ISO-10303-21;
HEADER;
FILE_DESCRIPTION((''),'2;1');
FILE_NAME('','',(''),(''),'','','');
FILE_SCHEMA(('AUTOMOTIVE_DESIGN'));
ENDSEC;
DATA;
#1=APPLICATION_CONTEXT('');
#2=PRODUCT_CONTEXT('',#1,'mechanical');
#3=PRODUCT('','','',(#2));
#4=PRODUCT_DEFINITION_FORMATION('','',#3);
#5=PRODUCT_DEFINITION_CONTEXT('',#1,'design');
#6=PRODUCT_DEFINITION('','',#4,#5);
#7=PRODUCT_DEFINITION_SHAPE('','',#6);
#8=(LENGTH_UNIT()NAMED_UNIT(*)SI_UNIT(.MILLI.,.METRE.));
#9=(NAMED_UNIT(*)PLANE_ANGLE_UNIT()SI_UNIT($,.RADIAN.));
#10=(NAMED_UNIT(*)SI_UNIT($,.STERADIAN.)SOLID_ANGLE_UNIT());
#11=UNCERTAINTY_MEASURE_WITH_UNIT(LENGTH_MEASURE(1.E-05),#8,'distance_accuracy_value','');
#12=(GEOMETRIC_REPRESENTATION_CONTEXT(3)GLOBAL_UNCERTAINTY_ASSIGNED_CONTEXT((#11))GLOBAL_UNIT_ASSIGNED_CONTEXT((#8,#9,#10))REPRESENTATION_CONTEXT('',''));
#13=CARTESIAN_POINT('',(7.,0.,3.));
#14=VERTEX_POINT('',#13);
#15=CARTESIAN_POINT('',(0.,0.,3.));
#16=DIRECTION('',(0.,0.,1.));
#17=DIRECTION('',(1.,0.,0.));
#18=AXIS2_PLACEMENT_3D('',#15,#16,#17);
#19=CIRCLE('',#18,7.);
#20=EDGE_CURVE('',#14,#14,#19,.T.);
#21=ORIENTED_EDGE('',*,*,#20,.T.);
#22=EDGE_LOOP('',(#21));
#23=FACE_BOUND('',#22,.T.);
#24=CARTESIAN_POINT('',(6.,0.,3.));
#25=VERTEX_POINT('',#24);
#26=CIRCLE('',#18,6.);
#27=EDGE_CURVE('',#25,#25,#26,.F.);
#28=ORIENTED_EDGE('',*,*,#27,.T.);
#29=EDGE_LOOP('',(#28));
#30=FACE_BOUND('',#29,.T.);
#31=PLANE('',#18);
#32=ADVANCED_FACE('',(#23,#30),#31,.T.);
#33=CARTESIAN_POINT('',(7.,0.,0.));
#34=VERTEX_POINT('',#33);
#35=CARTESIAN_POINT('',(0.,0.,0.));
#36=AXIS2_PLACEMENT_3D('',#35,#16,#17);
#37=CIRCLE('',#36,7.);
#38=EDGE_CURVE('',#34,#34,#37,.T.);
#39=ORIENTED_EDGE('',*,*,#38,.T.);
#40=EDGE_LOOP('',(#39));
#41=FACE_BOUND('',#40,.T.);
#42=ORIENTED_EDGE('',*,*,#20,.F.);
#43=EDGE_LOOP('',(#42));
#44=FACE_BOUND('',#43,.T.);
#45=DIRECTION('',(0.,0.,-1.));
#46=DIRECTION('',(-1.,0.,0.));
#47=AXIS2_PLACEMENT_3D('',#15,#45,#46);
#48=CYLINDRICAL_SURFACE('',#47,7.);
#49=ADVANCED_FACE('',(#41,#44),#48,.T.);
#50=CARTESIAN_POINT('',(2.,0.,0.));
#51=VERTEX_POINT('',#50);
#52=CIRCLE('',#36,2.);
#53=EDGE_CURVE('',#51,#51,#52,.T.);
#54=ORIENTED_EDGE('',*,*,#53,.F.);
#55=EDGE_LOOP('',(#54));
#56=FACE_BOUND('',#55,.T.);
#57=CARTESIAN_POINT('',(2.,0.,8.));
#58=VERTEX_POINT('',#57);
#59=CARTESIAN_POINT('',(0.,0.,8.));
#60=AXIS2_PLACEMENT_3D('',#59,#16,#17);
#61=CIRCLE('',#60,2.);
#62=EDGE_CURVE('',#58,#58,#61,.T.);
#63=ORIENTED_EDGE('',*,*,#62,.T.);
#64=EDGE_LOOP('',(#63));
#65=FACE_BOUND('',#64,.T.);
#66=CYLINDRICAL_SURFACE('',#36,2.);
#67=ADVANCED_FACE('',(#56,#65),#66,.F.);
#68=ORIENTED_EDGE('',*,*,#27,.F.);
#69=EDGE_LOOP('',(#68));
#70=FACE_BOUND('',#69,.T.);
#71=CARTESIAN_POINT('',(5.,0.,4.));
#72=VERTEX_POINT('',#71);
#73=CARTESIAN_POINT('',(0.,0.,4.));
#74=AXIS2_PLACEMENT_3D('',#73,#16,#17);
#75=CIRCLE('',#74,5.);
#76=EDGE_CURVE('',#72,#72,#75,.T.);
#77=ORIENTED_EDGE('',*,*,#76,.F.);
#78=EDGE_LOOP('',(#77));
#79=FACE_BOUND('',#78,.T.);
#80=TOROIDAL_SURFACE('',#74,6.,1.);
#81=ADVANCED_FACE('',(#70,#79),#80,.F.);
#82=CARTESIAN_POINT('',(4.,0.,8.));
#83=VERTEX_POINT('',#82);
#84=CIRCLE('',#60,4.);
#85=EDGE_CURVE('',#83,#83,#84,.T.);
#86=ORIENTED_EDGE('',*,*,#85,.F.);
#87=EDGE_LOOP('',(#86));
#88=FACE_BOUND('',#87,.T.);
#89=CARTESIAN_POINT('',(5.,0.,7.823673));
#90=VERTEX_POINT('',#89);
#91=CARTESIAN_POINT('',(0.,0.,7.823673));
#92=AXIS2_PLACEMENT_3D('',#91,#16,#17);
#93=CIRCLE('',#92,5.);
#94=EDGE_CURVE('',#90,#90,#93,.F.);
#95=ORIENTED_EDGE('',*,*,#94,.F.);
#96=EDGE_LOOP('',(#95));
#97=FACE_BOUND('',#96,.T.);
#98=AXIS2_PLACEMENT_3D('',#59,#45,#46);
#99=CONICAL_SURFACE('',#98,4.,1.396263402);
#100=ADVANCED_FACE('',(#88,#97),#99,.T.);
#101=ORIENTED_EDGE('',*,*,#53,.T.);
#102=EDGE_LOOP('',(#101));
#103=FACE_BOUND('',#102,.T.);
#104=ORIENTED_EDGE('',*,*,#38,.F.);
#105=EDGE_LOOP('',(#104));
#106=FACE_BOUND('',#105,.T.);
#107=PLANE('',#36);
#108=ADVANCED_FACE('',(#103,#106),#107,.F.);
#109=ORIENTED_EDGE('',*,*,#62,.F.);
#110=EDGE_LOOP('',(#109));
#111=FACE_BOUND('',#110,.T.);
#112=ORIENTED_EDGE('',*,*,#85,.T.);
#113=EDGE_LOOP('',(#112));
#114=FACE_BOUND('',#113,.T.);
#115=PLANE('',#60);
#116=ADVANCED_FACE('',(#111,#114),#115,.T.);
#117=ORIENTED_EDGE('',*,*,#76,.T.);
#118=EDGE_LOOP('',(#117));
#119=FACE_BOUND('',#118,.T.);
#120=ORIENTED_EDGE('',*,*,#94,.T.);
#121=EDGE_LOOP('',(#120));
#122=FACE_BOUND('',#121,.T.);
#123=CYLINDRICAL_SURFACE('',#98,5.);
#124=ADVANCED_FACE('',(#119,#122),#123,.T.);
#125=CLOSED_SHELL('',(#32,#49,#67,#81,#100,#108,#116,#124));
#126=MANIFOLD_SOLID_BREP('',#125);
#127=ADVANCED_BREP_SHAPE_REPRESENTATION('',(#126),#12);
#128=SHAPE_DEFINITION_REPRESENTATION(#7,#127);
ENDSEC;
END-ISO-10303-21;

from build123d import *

# Parameters (mm, degrees)
ESQUISSE1_R             = 7
BOSS_EXTRU_1_DEPTH      = 3
ESQUISSE2_R             = 5
BOSS_EXTRU_2_DEPTH      = 5
ESQUISSE3_R             = 2
ENL_V_MAT_EXTRU_1_DEPTH = 9
CONG_1_R                = 1
CHANFREIN1_SIZE         = 1
CHANFREIN1_SIZE2        = 0.176326981


with BuildPart() as part:
    # Esquisse1 → Boss.-Extru.1 (new body)
    with BuildSketch(Plane.XY):
        Circle(ESQUISSE1_R)
    extrude(amount=BOSS_EXTRU_1_DEPTH)

    # Esquisse2 → Boss.-Extru.2 (add)
    with BuildSketch(Plane.XY.offset(3)):
        Circle(ESQUISSE2_R)
    extrude(amount=BOSS_EXTRU_2_DEPTH)

    # Esquisse3 → Enlèv. mat.-Extru.1 (cut, through all)
    with BuildSketch(Plane.XY.offset(8)):
        Circle(ESQUISSE3_R)
    extrude(amount=-ENL_V_MAT_EXTRU_1_DEPTH, mode=Mode.SUBTRACT)

    # Congé1
    cong_1_edges = [part.edges().sort_by_distance(p)[0] for p in [
        (-5, 0, 3),
    ]]
    fillet(cong_1_edges, radius=CONG_1_R)

    # Chanfrein1
    chanfrein1_edges = [part.edges().sort_by_distance(p)[0] for p in [
        (-5, 0, 8),
    ]]
    chanfrein1_side = [part.faces().sort_by_distance(p)[0] for p in [
        (-4.858578644, 0, 8),
    ]]
    chamfer(chanfrein1_edges, length=CHANFREIN1_SIZE, length2=CHANFREIN1_SIZE2, reference=chanfrein1_side[0])


solid = part.part
